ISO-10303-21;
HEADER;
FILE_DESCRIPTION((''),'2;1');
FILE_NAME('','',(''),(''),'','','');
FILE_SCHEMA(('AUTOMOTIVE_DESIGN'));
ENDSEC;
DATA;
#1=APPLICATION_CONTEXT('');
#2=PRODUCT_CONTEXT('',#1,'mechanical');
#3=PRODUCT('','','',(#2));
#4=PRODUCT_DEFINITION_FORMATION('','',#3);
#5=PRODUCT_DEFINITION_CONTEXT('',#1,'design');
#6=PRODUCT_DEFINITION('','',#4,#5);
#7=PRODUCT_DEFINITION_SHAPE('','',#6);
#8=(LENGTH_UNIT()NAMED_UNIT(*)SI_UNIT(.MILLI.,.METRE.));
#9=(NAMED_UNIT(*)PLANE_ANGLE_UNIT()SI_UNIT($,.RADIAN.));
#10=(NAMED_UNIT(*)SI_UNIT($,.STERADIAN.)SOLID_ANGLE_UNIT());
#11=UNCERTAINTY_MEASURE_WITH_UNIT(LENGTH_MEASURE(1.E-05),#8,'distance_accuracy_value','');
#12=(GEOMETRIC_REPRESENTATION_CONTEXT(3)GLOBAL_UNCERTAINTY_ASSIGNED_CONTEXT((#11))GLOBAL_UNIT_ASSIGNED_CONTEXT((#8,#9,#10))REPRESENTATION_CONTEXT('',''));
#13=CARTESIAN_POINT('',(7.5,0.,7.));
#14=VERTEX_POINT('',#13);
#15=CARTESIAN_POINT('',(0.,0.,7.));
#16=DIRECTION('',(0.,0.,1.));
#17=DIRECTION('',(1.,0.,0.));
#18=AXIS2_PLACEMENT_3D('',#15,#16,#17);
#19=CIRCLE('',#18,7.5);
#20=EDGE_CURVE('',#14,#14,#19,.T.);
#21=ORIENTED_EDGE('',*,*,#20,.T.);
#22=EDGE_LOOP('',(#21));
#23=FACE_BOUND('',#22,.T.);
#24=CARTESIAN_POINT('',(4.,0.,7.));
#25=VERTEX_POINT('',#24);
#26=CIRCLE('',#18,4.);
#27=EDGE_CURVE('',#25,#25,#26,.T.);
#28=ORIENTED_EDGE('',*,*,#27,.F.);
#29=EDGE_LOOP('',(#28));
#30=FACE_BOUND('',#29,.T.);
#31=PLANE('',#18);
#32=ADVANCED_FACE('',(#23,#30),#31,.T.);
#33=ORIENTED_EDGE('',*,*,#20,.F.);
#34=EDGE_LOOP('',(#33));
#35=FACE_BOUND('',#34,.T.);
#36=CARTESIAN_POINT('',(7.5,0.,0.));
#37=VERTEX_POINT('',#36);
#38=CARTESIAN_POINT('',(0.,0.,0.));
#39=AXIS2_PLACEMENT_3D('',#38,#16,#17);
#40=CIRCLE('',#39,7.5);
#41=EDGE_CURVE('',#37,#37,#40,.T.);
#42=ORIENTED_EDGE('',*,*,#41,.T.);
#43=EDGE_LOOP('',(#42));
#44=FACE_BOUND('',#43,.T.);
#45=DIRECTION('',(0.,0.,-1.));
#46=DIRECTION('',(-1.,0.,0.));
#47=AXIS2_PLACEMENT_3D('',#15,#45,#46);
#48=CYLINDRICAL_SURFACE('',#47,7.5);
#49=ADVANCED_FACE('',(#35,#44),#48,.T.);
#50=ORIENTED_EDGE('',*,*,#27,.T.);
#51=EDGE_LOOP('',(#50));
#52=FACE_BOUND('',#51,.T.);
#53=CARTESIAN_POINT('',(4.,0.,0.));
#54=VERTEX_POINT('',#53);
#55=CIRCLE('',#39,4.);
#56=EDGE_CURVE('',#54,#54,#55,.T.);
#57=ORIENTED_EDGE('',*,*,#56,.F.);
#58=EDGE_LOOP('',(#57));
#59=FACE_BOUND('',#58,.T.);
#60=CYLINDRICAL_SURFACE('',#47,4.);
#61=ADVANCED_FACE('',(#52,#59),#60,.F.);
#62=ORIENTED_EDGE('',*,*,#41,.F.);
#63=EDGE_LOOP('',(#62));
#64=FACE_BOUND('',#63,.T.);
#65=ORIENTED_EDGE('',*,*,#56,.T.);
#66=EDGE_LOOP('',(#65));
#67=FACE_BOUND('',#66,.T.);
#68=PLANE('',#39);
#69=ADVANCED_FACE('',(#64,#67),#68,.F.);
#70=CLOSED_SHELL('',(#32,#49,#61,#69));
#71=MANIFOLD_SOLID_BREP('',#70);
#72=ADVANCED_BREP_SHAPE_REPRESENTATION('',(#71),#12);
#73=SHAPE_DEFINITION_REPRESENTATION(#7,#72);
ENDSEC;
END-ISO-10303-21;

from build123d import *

# Parameters (mm, degrees)
SKETCH1_R           = 7.5
SKETCH1_R_2         = 4
BOSS_EXTRUDE1_DEPTH = 7


with BuildPart() as part:
    # Sketch1 → Boss-Extrude1 (new body)
    with BuildSketch(Plane.XY):
        Circle(SKETCH1_R)
        Circle(SKETCH1_R_2, mode=Mode.SUBTRACT)
    extrude(amount=BOSS_EXTRUDE1_DEPTH)


solid = part.part
